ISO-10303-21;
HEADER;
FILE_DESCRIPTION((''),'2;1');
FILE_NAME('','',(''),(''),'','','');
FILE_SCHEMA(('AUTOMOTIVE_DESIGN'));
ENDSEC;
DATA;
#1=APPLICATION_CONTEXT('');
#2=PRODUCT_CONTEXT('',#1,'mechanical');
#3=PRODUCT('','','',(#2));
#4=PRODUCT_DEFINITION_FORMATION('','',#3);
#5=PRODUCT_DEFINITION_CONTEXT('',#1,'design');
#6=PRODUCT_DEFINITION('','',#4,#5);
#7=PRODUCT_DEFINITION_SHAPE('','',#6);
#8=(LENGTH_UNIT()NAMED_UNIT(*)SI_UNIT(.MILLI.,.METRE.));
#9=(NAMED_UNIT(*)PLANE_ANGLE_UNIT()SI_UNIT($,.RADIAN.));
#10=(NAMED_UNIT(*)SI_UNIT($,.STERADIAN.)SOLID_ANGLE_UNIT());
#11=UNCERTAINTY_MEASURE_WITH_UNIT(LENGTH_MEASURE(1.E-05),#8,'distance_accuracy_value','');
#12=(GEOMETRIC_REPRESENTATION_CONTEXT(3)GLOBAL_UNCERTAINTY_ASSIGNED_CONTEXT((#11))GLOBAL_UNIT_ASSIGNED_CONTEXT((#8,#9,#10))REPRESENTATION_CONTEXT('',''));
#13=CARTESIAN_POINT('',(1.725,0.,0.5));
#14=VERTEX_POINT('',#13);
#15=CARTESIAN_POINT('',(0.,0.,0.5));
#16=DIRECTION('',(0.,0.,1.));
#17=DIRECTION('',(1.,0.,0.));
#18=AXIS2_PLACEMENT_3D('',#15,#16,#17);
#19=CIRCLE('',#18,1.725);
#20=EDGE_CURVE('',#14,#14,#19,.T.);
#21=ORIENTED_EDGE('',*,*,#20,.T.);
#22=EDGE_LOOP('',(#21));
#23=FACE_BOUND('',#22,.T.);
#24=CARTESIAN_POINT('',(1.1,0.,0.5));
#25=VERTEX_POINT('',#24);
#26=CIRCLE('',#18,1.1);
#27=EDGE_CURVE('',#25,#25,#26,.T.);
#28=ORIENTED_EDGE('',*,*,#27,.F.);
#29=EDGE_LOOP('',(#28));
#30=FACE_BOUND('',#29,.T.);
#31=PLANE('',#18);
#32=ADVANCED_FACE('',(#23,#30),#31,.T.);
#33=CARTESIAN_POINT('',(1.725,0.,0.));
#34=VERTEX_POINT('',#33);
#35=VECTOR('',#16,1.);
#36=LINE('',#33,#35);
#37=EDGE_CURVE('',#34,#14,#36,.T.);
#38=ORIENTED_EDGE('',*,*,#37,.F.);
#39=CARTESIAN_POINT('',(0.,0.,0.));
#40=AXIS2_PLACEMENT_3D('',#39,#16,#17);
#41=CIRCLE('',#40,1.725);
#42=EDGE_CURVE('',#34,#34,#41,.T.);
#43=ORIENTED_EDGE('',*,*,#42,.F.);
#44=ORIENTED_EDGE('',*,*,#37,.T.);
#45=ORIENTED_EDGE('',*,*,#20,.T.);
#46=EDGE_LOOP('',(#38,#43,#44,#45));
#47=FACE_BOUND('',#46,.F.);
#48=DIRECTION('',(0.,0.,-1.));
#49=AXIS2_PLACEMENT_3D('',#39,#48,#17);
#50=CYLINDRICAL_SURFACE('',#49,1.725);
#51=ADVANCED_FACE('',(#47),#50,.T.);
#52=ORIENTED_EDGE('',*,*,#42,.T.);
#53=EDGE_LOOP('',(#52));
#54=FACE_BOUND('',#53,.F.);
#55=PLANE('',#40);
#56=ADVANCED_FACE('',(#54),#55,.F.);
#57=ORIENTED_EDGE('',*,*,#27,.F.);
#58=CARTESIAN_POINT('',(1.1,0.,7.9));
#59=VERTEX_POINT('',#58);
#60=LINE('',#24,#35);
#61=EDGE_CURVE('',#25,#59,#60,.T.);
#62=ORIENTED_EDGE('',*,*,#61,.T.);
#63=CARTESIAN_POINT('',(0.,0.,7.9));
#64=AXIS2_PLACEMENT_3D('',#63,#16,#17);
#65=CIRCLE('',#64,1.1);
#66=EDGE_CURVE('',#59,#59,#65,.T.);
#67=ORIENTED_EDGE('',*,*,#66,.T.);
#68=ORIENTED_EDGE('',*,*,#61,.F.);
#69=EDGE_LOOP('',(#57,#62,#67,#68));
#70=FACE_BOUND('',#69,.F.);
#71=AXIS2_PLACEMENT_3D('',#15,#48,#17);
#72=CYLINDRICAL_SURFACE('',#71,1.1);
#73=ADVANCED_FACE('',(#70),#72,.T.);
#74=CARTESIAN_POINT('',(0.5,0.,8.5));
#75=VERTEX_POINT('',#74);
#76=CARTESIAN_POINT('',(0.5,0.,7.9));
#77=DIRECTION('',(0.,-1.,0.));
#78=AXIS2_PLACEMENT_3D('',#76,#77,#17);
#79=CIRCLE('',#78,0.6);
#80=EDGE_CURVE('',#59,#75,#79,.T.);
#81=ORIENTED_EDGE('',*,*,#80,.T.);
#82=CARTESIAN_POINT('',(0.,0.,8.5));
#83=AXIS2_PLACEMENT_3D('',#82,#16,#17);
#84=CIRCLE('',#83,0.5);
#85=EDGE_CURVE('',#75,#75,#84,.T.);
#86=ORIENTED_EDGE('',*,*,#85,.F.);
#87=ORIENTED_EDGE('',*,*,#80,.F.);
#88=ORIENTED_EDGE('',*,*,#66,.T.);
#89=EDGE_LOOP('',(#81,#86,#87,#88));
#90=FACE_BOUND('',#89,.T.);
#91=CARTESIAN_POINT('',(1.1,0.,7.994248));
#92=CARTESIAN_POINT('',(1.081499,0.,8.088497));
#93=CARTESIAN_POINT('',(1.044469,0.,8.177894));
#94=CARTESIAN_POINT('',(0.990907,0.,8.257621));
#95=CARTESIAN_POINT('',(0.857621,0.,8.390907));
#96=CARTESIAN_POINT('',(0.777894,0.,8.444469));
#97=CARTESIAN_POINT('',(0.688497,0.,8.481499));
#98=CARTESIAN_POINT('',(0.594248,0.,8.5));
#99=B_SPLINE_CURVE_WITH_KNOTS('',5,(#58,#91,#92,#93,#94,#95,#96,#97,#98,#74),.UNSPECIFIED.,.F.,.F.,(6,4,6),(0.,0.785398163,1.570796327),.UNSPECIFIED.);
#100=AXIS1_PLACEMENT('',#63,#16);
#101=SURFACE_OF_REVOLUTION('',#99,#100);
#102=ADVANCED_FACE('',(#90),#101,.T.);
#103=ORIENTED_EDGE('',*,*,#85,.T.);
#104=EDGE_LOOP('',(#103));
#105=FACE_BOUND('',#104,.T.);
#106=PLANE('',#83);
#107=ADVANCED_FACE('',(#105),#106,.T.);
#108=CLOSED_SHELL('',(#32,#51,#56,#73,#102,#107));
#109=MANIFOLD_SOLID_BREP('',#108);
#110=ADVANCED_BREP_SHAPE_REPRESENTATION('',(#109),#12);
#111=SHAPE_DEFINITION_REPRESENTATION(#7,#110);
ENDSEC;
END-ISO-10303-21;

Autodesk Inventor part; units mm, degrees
ref_plane "YZ Plane" through (0, 0, 0) normal (1, 0, 0) x (0, 1, 0)
ref_plane "XZ Plane" through (0, 0, 0) normal (0, 1, 0) x (-1, 0, 0)
ref_plane "XY Plane" through (0, 0, 0) normal (0, 0, 1) x (1, 0, 0)
sketch "Sketch1" plane through (0, 0, 0) normal (0, 0, 1) x (1, 0, 0)
  circle A0 centre (0, 0) radius 1.725
  dimension "d0" = 3.45
extrude "Extrusion1" add sketch "Sketch1" along normal blind 0.5
sketch "Sketch2" plane through (0, 0, 0.5) normal (0, 0, 1) x (1, 0, 0)
  circle A0 centre (0, 0) radius 1.725 projected
  circle A1 centre (0, 0) radius 1.1
  dimension "d3" = 2.2
extrude "Extrusion2" add sketch "Sketch2" along normal blind 8 contours A1
fillet "Fillet1" radius 0.6 1 edges at (-1.1, 0, 8.5)
properties material "Copper"
